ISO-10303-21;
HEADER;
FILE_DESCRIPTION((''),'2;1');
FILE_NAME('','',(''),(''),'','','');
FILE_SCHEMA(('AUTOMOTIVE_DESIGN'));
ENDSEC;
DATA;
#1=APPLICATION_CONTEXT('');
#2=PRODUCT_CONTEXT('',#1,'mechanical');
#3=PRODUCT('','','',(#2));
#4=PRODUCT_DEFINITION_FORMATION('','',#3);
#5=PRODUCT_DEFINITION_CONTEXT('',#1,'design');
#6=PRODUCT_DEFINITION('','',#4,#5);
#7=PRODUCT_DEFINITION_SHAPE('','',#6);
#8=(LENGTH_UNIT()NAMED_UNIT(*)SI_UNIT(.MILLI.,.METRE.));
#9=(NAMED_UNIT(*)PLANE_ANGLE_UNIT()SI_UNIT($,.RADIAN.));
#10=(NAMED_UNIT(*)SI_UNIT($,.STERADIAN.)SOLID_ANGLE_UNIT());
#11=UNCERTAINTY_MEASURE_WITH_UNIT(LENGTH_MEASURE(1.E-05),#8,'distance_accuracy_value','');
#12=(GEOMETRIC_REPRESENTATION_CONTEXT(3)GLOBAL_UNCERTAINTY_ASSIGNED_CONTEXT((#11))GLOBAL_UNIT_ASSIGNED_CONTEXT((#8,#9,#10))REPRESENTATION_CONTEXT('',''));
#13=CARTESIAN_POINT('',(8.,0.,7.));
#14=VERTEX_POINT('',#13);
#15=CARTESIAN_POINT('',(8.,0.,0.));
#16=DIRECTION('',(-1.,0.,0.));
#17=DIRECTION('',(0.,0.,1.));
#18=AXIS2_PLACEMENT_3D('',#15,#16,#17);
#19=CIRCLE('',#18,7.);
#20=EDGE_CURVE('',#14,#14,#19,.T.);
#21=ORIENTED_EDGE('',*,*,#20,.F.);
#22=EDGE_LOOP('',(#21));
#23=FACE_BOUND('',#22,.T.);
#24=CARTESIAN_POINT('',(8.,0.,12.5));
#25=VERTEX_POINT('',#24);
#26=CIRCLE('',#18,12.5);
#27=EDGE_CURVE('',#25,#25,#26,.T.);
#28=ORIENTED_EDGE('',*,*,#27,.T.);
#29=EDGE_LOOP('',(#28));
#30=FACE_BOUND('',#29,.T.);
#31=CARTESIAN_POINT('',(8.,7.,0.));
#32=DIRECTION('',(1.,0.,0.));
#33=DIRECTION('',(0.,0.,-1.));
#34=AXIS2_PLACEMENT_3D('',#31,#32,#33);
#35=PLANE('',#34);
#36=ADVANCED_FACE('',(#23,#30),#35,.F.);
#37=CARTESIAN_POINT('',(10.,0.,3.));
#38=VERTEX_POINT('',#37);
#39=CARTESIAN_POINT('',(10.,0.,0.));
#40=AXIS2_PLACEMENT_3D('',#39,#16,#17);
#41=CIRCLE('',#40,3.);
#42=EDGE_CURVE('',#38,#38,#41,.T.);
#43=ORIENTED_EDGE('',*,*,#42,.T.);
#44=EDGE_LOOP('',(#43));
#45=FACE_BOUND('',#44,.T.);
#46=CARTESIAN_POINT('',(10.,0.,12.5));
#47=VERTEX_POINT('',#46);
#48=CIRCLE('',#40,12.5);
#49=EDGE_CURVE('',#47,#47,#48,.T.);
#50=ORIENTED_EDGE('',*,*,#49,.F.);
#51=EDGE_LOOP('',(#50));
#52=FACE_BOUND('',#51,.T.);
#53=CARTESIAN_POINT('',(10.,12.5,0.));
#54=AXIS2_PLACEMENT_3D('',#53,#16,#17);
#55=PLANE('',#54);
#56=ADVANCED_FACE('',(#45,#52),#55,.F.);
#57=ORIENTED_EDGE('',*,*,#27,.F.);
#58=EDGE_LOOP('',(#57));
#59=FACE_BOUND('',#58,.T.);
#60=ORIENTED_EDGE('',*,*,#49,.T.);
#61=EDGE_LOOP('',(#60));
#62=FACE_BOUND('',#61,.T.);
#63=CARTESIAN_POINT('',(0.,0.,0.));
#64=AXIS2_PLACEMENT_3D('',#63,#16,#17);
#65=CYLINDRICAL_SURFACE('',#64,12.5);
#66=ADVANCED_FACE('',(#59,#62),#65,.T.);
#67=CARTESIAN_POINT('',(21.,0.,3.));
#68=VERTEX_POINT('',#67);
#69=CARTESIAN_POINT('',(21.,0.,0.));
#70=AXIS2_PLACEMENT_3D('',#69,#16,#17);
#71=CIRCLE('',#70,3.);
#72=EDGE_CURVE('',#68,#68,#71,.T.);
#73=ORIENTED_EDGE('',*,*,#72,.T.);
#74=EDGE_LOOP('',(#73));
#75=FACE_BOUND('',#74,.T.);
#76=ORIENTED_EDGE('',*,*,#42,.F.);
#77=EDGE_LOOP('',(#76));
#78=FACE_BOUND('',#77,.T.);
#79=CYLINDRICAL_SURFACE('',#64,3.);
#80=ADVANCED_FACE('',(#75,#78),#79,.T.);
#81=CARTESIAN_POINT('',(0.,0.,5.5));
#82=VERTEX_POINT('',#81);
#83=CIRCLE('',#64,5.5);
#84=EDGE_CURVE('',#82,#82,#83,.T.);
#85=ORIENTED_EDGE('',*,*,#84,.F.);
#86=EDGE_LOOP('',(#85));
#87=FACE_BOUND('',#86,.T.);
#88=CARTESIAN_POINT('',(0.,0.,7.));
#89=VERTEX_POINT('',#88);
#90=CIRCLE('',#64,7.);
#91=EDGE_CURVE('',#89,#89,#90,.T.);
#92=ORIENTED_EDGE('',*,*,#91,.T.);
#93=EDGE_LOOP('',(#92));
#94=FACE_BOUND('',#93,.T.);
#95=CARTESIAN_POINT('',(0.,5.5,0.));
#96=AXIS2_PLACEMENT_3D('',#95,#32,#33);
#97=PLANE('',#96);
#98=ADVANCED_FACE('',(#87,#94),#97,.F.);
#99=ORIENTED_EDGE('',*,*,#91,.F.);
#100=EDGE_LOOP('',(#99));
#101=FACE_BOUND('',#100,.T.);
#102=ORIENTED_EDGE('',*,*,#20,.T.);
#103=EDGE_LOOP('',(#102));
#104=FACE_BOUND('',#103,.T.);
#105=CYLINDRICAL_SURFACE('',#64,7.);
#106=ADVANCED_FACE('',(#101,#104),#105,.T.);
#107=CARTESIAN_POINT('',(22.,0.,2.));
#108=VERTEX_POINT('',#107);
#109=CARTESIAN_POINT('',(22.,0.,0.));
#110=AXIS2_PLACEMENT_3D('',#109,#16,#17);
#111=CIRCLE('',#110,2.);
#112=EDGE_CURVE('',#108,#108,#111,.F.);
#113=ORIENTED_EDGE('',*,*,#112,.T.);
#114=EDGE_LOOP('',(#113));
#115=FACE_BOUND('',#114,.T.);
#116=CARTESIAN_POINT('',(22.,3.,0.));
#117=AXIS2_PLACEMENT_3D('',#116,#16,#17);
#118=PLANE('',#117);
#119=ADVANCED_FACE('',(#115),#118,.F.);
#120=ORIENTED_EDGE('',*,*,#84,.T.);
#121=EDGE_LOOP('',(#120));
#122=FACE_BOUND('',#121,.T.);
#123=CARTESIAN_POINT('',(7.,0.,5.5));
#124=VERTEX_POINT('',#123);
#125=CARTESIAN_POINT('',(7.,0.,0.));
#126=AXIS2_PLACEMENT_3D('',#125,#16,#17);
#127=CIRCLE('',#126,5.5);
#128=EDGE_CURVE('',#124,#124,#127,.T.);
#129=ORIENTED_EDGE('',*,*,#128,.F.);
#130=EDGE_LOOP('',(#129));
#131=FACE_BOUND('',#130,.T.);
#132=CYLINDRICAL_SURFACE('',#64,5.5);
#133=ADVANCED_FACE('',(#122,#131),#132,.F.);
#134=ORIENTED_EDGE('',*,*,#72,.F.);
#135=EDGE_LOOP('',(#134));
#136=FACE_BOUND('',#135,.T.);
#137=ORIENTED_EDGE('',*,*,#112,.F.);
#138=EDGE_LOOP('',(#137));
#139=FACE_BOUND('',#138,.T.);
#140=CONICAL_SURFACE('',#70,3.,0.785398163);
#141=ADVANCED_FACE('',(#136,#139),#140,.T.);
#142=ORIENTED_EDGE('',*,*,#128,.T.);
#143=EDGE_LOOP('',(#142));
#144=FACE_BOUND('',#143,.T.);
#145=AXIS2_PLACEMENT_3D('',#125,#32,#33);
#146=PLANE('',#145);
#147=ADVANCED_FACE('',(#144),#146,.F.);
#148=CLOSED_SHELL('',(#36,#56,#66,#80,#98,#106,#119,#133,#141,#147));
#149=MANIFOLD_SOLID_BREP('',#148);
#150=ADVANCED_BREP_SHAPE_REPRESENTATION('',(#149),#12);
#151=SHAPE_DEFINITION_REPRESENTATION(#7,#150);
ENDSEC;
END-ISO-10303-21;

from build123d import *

# Parameters (mm, degrees)
CHAMFER1_SIZE = 1


with BuildPart() as part:
    # Sketch2 → Revolve1 (revolve)
    with BuildSketch(Plane.XY, mode=Mode.PRIVATE) as revolve1_sk:
        Polygon((7, 0), (7, 5.5), (0, 5.5), (0, 7), (8, 7), (8, 12.5), (10, 12.5), (10, 3), (22, 3), (22, 0), align=None)
    revolve(revolve1_sk.sketch.rotate(Axis((0, 0, 0), (1, 0, 0)), 90), axis=Axis((0, 0, 0), (1, 0, 0)))

    # Chamfer1
    chamfer1_edges = [part.edges().sort_by_distance(p)[0] for p in [
        (22, 0, -3),
    ]]
    chamfer(chamfer1_edges, length=CHAMFER1_SIZE)


solid = part.part
